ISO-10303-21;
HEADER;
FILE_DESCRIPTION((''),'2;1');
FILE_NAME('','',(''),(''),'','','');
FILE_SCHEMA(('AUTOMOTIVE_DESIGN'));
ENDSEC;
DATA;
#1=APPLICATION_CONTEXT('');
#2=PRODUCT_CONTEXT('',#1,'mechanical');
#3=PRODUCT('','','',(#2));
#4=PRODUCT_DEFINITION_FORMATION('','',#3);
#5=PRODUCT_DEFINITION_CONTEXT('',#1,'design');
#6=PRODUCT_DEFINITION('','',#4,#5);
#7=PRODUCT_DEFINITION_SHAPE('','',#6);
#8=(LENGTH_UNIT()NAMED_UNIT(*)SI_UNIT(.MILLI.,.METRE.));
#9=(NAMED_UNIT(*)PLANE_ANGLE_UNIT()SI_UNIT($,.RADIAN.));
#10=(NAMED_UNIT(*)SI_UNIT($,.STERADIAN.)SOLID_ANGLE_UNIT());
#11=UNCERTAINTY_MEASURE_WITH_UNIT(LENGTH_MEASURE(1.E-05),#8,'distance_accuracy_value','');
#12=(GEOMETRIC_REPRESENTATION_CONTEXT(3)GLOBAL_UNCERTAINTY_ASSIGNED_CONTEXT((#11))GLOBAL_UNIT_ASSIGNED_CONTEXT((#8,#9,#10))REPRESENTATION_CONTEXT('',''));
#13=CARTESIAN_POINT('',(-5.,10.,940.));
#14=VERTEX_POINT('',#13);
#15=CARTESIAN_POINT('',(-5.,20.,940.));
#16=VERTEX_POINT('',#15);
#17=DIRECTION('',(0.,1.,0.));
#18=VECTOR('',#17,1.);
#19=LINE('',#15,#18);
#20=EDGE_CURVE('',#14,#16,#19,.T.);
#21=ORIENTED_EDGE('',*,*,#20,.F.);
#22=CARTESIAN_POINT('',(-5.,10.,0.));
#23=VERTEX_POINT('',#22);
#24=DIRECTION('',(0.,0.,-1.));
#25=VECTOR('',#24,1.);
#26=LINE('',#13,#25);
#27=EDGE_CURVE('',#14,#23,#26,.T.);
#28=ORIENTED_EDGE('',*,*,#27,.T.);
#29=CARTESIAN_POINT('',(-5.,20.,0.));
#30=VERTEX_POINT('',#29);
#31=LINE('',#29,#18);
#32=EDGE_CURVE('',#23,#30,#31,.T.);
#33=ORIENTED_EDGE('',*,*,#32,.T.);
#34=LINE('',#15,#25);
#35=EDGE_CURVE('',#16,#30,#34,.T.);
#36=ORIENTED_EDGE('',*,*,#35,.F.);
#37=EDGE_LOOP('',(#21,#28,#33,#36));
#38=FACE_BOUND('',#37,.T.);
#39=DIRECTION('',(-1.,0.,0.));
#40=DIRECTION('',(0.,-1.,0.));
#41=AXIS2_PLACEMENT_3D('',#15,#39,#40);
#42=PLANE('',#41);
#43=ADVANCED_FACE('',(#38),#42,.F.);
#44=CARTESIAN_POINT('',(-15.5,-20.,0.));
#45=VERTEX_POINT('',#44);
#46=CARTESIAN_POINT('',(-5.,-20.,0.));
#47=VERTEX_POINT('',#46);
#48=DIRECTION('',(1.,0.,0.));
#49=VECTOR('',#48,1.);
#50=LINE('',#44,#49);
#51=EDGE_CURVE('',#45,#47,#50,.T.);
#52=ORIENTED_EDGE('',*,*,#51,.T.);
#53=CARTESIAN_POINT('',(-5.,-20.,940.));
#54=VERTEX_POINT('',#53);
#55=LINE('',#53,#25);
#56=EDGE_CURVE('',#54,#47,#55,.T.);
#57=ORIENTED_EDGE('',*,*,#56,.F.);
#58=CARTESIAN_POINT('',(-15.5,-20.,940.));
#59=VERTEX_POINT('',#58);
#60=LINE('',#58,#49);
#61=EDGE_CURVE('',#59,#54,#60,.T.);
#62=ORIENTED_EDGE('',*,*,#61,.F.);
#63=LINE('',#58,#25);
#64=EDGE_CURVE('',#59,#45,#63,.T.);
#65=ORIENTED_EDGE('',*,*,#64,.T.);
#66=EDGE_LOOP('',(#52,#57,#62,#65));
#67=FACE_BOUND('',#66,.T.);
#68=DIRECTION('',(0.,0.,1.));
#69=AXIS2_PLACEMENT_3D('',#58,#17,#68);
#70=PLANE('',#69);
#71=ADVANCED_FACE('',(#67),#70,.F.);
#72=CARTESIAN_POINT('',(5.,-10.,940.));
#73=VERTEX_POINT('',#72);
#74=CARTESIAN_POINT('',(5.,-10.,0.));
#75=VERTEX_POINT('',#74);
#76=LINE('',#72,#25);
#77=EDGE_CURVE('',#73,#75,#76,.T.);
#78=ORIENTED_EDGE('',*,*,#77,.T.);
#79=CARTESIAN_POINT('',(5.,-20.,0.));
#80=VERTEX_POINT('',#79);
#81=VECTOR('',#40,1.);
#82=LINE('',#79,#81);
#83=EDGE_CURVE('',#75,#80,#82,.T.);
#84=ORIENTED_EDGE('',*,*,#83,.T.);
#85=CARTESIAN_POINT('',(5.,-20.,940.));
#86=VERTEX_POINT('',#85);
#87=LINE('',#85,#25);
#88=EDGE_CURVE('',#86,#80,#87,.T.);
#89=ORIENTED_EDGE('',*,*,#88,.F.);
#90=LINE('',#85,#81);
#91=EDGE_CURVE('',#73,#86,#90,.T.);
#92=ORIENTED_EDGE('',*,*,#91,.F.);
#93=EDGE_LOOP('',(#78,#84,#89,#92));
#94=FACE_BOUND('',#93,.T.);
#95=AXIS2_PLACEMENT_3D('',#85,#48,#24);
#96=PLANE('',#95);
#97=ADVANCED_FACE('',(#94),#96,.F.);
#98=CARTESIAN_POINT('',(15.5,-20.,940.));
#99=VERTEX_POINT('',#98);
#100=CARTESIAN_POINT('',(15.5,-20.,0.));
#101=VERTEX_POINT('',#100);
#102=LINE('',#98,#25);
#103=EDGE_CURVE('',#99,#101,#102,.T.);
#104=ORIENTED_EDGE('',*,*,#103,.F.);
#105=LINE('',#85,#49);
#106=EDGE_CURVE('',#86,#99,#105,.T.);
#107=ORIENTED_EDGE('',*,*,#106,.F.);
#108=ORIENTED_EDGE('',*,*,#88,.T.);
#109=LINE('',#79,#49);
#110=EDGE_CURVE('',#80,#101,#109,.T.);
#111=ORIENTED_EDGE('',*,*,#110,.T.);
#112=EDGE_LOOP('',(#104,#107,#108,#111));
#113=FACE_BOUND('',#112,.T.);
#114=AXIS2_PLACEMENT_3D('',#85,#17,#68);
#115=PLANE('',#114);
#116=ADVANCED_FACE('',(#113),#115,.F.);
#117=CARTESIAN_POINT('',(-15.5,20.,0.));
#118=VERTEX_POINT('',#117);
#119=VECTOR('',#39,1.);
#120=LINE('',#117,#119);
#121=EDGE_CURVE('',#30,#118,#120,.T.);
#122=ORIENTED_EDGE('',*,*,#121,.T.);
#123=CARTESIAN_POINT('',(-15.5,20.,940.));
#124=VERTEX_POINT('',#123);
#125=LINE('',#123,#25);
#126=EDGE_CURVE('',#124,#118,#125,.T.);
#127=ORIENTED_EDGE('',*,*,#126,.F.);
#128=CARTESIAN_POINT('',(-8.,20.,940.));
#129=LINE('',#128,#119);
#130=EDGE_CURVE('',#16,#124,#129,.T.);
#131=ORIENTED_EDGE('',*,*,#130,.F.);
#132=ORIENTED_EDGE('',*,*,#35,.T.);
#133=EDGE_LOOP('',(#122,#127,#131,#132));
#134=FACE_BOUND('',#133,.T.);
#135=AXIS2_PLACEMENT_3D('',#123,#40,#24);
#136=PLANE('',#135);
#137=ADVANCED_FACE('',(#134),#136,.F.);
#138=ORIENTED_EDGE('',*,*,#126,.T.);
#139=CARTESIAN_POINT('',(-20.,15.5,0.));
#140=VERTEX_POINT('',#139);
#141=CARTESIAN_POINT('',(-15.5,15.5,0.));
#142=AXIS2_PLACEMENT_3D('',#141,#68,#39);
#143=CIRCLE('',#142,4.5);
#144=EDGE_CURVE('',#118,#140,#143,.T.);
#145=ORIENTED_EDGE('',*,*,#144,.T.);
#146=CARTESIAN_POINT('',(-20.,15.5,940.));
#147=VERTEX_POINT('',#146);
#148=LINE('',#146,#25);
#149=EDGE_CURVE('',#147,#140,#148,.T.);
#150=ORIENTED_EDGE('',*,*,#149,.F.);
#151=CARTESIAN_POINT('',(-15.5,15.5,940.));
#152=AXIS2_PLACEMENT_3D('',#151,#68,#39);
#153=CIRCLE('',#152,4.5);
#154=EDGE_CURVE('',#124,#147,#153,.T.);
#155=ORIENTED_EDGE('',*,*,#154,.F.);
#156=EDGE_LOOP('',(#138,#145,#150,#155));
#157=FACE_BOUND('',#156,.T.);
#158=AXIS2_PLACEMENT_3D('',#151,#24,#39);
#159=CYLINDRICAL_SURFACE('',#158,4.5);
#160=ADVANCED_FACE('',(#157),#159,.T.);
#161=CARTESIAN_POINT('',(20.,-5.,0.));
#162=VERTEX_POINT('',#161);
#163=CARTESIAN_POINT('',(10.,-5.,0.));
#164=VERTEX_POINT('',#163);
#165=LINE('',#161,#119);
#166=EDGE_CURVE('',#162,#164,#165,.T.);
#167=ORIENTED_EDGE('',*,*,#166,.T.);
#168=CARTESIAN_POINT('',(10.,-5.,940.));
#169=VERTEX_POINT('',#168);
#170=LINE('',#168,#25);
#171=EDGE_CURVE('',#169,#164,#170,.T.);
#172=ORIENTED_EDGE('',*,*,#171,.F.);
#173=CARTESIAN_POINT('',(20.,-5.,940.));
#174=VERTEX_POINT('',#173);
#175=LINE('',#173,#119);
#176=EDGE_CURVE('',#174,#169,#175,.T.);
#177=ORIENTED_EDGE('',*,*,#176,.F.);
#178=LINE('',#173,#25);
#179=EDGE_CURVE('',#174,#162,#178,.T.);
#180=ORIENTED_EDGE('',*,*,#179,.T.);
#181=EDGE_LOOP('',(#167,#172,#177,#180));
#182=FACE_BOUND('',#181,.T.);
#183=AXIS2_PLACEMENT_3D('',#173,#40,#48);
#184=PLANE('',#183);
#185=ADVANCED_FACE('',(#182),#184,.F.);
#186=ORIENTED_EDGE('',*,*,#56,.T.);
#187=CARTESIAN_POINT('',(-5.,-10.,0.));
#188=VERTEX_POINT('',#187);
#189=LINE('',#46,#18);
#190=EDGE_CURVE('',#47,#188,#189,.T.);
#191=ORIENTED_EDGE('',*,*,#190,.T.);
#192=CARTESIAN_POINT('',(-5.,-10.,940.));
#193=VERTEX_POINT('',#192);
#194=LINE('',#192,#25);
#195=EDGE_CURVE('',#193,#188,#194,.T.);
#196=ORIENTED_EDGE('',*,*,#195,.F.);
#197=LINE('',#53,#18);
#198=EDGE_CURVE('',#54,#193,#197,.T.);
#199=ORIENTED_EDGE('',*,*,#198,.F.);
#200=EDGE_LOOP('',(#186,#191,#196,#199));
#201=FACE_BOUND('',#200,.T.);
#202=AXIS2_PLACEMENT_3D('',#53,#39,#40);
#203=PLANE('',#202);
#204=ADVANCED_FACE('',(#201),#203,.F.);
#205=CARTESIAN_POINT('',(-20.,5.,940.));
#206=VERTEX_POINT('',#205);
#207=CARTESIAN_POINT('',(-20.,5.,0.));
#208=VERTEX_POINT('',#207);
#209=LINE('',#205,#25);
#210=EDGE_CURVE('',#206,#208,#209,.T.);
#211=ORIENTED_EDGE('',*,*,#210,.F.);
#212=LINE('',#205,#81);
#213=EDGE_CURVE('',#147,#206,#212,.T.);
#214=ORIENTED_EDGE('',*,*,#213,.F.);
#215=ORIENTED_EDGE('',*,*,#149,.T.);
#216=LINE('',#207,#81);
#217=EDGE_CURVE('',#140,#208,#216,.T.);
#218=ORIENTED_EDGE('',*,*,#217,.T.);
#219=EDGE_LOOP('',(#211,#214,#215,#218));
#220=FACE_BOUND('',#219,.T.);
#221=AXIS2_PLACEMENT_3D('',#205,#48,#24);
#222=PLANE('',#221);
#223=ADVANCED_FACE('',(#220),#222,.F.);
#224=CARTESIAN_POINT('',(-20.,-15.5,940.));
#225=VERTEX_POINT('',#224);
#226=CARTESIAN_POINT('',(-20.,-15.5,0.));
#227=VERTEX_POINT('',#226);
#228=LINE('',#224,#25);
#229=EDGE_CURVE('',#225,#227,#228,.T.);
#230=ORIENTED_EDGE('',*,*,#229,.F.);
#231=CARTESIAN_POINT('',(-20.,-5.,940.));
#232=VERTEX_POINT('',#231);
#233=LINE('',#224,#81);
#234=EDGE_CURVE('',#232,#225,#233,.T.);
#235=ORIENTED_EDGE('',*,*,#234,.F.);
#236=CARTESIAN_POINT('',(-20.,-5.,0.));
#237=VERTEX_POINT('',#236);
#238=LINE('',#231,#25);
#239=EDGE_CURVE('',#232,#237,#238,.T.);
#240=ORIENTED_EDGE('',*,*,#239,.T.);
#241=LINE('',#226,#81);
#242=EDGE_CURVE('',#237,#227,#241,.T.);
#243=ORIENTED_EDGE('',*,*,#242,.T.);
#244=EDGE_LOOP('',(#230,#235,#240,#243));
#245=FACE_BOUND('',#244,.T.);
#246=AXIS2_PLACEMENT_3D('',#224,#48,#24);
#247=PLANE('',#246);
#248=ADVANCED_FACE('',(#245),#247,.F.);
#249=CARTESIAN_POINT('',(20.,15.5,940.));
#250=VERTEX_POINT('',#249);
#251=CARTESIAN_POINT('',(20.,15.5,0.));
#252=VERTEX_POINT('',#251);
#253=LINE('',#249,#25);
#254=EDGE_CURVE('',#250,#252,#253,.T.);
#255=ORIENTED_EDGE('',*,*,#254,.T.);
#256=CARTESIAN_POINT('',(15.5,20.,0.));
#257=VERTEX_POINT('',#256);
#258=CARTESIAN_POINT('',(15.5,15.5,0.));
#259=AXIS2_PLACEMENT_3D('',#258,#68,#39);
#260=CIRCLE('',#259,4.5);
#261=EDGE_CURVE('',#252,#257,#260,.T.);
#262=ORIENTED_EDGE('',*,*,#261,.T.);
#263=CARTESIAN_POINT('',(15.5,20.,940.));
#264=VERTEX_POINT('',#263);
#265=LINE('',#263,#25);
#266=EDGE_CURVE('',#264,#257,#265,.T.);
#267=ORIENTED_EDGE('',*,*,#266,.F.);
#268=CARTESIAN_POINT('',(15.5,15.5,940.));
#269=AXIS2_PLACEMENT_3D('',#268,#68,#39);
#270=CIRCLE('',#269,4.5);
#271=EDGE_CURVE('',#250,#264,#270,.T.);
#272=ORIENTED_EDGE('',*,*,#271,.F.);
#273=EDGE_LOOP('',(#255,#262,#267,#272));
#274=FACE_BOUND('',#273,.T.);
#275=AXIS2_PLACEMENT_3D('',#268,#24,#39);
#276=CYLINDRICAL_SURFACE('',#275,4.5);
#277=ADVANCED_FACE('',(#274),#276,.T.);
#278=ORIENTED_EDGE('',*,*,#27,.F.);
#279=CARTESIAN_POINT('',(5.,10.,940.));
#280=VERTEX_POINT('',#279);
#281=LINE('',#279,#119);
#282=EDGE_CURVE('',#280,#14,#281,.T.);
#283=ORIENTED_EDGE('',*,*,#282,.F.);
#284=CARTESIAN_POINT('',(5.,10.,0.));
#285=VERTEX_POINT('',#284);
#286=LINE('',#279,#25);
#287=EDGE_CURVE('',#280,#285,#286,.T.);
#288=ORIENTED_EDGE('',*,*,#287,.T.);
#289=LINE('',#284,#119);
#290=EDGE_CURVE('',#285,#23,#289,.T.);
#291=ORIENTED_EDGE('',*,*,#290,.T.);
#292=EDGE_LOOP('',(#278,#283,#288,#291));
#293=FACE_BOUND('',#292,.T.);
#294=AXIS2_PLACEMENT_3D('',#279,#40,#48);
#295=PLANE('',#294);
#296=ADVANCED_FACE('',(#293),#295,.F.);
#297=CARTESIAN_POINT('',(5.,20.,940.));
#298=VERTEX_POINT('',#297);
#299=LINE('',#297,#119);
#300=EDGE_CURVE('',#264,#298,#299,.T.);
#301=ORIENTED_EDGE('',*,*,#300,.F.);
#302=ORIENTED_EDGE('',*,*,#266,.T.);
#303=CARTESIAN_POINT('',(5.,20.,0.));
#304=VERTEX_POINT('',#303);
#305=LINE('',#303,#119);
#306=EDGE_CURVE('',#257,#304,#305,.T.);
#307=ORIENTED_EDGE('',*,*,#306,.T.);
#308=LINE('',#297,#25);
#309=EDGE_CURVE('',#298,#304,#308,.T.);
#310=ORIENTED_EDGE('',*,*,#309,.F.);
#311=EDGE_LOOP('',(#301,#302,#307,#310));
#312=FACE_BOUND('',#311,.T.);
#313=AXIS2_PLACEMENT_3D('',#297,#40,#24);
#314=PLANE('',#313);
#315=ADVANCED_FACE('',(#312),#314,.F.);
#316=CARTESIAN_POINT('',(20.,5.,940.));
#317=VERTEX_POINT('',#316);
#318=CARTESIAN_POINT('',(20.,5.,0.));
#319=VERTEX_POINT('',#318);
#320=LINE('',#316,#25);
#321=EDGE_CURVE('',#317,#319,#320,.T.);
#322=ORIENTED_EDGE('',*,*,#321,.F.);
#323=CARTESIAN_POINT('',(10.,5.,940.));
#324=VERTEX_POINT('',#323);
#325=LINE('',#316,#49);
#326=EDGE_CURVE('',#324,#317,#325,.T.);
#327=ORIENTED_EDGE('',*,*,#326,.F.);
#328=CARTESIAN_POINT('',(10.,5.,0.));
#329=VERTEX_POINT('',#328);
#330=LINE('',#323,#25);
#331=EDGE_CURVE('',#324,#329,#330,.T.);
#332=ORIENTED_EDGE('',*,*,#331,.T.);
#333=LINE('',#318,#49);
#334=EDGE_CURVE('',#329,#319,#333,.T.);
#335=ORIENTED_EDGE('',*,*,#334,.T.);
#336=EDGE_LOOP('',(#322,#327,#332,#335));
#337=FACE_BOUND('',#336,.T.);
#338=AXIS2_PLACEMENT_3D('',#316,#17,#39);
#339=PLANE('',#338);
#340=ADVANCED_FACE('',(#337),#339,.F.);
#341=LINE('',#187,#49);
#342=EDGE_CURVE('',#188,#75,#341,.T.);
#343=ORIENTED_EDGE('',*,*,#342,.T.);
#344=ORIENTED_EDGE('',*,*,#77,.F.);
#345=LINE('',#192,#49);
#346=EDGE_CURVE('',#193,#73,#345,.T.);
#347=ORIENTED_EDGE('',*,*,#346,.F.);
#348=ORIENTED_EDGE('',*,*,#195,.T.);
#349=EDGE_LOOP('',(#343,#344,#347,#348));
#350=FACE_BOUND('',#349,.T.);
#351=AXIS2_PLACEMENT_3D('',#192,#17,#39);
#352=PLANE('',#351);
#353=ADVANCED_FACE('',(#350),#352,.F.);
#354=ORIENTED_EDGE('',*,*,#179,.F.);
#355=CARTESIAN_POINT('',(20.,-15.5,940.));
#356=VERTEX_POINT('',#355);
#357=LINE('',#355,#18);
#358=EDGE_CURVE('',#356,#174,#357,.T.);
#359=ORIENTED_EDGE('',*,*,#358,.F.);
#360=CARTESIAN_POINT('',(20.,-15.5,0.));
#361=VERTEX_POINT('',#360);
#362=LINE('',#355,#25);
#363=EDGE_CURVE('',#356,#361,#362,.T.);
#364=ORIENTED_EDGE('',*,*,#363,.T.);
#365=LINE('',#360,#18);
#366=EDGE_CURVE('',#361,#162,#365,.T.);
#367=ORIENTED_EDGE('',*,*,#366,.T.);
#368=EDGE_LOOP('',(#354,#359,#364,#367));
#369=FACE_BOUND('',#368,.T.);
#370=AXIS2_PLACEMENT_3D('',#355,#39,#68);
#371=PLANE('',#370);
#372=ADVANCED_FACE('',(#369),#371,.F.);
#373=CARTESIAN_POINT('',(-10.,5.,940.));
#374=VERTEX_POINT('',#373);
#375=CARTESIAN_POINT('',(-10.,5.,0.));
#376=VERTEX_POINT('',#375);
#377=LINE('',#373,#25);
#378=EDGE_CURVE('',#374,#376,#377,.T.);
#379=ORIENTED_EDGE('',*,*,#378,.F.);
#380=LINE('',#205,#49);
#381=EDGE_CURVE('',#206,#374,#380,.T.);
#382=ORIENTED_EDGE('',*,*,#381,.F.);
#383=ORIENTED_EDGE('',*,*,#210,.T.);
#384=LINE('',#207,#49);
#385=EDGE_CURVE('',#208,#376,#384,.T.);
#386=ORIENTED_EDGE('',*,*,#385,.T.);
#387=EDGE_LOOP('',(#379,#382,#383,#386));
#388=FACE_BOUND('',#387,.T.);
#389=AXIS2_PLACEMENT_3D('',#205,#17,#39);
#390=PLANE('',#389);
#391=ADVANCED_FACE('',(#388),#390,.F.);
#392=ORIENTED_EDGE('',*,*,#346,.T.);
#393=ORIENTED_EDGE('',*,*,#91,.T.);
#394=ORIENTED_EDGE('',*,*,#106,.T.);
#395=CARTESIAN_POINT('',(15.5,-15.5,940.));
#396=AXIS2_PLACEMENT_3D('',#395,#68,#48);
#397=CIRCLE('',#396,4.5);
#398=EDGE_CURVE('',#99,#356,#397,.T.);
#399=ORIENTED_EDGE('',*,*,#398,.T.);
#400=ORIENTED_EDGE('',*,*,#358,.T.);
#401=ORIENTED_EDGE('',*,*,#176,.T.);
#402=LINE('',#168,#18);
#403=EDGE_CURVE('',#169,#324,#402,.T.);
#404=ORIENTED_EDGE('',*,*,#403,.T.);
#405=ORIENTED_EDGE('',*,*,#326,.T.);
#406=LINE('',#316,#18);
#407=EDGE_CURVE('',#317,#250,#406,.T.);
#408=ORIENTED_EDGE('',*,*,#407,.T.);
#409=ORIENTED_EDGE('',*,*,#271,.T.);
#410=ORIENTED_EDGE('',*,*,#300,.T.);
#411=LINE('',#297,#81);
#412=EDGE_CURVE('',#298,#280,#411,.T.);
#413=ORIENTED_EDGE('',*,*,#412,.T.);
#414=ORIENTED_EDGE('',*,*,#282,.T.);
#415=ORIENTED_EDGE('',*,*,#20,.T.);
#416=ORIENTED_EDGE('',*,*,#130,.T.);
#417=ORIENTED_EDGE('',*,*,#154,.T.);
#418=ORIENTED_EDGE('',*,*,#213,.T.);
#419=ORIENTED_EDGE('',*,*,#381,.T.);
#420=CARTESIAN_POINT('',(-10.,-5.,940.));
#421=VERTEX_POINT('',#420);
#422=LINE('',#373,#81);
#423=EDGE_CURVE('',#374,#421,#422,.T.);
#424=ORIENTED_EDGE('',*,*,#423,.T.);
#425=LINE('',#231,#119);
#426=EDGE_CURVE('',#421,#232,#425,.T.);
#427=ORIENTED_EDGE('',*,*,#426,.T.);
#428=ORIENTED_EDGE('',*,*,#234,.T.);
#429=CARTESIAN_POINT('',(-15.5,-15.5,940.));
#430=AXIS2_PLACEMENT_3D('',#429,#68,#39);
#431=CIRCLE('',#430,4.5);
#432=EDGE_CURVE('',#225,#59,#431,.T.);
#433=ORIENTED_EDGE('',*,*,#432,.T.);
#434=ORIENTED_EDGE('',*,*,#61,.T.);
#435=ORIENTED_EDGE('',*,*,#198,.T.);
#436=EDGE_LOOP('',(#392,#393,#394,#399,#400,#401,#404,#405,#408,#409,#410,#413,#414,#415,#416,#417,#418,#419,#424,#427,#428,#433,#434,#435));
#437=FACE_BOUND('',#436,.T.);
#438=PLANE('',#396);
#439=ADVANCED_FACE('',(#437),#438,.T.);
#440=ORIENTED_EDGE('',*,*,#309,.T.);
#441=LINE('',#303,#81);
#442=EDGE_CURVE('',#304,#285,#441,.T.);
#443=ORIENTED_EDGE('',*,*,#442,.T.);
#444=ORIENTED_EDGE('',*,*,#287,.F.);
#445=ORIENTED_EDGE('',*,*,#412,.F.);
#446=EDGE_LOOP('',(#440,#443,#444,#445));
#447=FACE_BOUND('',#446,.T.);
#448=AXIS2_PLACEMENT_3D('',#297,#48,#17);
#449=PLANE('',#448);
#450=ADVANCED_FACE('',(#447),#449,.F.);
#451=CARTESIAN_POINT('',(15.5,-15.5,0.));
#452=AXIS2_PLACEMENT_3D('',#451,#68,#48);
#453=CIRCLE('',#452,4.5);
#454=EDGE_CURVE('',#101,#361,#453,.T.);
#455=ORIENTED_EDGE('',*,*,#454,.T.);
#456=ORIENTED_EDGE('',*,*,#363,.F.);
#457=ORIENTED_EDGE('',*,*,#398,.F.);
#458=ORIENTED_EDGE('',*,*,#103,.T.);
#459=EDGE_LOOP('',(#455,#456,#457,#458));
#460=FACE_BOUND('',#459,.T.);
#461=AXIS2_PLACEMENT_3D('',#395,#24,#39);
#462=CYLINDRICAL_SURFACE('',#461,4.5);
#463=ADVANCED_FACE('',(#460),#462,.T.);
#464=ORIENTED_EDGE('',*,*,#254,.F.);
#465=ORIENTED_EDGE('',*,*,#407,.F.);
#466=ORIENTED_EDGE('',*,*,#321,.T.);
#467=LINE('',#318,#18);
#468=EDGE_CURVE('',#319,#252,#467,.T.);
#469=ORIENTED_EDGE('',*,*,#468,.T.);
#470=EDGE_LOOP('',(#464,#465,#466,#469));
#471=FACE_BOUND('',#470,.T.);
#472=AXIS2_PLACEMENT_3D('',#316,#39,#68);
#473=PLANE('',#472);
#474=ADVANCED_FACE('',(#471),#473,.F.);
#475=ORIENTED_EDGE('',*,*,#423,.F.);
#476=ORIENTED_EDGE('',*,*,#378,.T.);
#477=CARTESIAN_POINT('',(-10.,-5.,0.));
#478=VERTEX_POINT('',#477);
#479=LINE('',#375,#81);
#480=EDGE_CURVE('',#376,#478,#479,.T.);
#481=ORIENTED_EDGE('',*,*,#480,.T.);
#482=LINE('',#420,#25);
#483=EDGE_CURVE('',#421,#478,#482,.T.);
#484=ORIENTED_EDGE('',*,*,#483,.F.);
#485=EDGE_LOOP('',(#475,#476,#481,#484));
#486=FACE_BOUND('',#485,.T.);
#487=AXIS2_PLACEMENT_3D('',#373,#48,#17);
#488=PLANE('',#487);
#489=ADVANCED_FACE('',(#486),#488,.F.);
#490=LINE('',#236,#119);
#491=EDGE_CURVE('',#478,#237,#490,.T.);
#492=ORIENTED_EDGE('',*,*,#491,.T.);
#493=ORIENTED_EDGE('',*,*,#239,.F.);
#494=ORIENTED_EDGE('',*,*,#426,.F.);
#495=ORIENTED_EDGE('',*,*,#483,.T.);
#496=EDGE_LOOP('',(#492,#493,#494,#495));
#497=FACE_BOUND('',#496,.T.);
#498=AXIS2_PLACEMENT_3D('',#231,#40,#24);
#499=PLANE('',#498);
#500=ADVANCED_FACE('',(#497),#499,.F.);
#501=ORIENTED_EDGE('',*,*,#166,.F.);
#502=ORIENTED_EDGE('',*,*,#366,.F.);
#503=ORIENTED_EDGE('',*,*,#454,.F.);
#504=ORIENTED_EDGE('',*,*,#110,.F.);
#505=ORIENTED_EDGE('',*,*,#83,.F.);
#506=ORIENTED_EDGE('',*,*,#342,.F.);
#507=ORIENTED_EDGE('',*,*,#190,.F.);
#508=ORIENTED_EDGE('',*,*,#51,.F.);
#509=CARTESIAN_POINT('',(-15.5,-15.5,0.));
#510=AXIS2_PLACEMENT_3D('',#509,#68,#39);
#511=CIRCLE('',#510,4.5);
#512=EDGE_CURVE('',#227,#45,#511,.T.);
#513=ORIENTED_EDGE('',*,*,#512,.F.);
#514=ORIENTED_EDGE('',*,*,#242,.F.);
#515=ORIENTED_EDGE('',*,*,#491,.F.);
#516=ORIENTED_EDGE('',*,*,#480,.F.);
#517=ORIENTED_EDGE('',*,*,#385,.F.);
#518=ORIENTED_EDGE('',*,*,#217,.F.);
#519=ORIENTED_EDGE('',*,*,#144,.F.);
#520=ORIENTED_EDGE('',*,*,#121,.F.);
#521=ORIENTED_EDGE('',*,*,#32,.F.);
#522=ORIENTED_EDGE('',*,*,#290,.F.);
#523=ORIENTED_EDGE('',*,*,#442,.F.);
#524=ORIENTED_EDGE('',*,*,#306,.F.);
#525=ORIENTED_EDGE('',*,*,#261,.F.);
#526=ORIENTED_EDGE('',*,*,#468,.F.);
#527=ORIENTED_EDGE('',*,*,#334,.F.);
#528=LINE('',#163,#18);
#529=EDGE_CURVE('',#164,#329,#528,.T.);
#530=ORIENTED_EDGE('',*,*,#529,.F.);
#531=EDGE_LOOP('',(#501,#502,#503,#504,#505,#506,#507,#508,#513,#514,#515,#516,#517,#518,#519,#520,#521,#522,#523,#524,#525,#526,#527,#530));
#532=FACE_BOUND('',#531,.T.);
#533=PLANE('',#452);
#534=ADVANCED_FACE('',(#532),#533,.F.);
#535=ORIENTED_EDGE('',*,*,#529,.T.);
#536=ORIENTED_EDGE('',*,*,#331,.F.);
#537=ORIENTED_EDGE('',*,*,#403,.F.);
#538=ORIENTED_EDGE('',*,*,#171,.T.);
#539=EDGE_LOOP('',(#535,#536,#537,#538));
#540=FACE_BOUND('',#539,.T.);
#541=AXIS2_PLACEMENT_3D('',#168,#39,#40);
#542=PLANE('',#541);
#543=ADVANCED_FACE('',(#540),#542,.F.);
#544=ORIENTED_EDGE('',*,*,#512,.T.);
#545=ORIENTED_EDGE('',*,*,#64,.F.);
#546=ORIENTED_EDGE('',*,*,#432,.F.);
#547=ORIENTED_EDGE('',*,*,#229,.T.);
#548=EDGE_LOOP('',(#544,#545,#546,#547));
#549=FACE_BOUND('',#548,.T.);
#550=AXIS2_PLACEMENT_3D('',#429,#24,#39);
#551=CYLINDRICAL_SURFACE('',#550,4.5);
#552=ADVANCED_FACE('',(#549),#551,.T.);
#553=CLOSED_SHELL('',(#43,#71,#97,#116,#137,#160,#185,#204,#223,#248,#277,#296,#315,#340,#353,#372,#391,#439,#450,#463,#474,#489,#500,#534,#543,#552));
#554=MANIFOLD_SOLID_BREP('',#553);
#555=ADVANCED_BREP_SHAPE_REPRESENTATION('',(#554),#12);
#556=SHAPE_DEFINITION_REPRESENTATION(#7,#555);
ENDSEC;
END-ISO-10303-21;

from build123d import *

# Parameters (mm, degrees)
BOSS_EXTRUDE1_DEPTH = 940


with BuildPart() as part:
    # Sketch1 → Boss-Extrude1 (new body)
    with BuildSketch(Plane.XY):
        with BuildLine():
            Line((-15.5, -20), (-5, -20))
            Line((-5, -20), (-5, -10))
            Line((-5, -10), (5, -10))
            Line((5, -10), (5, -20))
            Line((5, -20), (15.5, -20))
            ThreePointArc((15.5, -20), (18.681980515, -18.681980515), (20, -15.5))
            Line((20, -15.5), (20, -5))
            Line((20, -5), (10, -5))
            Line((10, -5), (10, 5))
            Line((10, 5), (20, 5))
            Line((20, 5), (20, 15.5))
            ThreePointArc((20, 15.5), (18.681980515, 18.681980515), (15.5, 20))
            Line((15.5, 20), (5, 20))
            Line((5, 20), (5, 10))
            Line((5, 10), (-5, 10))
            Line((-5, 10), (-5, 20))
            Line((-5, 20), (-8, 20))
            Line((-8, 20), (-15, 20))
            Line((-15, 20), (-15.5, 20))
            ThreePointArc((-15.5, 20), (-18.681980515, 18.681980515), (-20, 15.5))
            Line((-20, 15.5), (-20, 5))
            Line((-20, 5), (-10, 5))
            Line((-10, 5), (-10, -5))
            Line((-10, -5), (-20, -5))
            Line((-20, -5), (-20, -15.5))
            ThreePointArc((-20, -15.5), (-18.681980515, -18.681980515), (-15.5, -20))
        make_face()
    extrude(amount=BOSS_EXTRUDE1_DEPTH)


solid = part.part
